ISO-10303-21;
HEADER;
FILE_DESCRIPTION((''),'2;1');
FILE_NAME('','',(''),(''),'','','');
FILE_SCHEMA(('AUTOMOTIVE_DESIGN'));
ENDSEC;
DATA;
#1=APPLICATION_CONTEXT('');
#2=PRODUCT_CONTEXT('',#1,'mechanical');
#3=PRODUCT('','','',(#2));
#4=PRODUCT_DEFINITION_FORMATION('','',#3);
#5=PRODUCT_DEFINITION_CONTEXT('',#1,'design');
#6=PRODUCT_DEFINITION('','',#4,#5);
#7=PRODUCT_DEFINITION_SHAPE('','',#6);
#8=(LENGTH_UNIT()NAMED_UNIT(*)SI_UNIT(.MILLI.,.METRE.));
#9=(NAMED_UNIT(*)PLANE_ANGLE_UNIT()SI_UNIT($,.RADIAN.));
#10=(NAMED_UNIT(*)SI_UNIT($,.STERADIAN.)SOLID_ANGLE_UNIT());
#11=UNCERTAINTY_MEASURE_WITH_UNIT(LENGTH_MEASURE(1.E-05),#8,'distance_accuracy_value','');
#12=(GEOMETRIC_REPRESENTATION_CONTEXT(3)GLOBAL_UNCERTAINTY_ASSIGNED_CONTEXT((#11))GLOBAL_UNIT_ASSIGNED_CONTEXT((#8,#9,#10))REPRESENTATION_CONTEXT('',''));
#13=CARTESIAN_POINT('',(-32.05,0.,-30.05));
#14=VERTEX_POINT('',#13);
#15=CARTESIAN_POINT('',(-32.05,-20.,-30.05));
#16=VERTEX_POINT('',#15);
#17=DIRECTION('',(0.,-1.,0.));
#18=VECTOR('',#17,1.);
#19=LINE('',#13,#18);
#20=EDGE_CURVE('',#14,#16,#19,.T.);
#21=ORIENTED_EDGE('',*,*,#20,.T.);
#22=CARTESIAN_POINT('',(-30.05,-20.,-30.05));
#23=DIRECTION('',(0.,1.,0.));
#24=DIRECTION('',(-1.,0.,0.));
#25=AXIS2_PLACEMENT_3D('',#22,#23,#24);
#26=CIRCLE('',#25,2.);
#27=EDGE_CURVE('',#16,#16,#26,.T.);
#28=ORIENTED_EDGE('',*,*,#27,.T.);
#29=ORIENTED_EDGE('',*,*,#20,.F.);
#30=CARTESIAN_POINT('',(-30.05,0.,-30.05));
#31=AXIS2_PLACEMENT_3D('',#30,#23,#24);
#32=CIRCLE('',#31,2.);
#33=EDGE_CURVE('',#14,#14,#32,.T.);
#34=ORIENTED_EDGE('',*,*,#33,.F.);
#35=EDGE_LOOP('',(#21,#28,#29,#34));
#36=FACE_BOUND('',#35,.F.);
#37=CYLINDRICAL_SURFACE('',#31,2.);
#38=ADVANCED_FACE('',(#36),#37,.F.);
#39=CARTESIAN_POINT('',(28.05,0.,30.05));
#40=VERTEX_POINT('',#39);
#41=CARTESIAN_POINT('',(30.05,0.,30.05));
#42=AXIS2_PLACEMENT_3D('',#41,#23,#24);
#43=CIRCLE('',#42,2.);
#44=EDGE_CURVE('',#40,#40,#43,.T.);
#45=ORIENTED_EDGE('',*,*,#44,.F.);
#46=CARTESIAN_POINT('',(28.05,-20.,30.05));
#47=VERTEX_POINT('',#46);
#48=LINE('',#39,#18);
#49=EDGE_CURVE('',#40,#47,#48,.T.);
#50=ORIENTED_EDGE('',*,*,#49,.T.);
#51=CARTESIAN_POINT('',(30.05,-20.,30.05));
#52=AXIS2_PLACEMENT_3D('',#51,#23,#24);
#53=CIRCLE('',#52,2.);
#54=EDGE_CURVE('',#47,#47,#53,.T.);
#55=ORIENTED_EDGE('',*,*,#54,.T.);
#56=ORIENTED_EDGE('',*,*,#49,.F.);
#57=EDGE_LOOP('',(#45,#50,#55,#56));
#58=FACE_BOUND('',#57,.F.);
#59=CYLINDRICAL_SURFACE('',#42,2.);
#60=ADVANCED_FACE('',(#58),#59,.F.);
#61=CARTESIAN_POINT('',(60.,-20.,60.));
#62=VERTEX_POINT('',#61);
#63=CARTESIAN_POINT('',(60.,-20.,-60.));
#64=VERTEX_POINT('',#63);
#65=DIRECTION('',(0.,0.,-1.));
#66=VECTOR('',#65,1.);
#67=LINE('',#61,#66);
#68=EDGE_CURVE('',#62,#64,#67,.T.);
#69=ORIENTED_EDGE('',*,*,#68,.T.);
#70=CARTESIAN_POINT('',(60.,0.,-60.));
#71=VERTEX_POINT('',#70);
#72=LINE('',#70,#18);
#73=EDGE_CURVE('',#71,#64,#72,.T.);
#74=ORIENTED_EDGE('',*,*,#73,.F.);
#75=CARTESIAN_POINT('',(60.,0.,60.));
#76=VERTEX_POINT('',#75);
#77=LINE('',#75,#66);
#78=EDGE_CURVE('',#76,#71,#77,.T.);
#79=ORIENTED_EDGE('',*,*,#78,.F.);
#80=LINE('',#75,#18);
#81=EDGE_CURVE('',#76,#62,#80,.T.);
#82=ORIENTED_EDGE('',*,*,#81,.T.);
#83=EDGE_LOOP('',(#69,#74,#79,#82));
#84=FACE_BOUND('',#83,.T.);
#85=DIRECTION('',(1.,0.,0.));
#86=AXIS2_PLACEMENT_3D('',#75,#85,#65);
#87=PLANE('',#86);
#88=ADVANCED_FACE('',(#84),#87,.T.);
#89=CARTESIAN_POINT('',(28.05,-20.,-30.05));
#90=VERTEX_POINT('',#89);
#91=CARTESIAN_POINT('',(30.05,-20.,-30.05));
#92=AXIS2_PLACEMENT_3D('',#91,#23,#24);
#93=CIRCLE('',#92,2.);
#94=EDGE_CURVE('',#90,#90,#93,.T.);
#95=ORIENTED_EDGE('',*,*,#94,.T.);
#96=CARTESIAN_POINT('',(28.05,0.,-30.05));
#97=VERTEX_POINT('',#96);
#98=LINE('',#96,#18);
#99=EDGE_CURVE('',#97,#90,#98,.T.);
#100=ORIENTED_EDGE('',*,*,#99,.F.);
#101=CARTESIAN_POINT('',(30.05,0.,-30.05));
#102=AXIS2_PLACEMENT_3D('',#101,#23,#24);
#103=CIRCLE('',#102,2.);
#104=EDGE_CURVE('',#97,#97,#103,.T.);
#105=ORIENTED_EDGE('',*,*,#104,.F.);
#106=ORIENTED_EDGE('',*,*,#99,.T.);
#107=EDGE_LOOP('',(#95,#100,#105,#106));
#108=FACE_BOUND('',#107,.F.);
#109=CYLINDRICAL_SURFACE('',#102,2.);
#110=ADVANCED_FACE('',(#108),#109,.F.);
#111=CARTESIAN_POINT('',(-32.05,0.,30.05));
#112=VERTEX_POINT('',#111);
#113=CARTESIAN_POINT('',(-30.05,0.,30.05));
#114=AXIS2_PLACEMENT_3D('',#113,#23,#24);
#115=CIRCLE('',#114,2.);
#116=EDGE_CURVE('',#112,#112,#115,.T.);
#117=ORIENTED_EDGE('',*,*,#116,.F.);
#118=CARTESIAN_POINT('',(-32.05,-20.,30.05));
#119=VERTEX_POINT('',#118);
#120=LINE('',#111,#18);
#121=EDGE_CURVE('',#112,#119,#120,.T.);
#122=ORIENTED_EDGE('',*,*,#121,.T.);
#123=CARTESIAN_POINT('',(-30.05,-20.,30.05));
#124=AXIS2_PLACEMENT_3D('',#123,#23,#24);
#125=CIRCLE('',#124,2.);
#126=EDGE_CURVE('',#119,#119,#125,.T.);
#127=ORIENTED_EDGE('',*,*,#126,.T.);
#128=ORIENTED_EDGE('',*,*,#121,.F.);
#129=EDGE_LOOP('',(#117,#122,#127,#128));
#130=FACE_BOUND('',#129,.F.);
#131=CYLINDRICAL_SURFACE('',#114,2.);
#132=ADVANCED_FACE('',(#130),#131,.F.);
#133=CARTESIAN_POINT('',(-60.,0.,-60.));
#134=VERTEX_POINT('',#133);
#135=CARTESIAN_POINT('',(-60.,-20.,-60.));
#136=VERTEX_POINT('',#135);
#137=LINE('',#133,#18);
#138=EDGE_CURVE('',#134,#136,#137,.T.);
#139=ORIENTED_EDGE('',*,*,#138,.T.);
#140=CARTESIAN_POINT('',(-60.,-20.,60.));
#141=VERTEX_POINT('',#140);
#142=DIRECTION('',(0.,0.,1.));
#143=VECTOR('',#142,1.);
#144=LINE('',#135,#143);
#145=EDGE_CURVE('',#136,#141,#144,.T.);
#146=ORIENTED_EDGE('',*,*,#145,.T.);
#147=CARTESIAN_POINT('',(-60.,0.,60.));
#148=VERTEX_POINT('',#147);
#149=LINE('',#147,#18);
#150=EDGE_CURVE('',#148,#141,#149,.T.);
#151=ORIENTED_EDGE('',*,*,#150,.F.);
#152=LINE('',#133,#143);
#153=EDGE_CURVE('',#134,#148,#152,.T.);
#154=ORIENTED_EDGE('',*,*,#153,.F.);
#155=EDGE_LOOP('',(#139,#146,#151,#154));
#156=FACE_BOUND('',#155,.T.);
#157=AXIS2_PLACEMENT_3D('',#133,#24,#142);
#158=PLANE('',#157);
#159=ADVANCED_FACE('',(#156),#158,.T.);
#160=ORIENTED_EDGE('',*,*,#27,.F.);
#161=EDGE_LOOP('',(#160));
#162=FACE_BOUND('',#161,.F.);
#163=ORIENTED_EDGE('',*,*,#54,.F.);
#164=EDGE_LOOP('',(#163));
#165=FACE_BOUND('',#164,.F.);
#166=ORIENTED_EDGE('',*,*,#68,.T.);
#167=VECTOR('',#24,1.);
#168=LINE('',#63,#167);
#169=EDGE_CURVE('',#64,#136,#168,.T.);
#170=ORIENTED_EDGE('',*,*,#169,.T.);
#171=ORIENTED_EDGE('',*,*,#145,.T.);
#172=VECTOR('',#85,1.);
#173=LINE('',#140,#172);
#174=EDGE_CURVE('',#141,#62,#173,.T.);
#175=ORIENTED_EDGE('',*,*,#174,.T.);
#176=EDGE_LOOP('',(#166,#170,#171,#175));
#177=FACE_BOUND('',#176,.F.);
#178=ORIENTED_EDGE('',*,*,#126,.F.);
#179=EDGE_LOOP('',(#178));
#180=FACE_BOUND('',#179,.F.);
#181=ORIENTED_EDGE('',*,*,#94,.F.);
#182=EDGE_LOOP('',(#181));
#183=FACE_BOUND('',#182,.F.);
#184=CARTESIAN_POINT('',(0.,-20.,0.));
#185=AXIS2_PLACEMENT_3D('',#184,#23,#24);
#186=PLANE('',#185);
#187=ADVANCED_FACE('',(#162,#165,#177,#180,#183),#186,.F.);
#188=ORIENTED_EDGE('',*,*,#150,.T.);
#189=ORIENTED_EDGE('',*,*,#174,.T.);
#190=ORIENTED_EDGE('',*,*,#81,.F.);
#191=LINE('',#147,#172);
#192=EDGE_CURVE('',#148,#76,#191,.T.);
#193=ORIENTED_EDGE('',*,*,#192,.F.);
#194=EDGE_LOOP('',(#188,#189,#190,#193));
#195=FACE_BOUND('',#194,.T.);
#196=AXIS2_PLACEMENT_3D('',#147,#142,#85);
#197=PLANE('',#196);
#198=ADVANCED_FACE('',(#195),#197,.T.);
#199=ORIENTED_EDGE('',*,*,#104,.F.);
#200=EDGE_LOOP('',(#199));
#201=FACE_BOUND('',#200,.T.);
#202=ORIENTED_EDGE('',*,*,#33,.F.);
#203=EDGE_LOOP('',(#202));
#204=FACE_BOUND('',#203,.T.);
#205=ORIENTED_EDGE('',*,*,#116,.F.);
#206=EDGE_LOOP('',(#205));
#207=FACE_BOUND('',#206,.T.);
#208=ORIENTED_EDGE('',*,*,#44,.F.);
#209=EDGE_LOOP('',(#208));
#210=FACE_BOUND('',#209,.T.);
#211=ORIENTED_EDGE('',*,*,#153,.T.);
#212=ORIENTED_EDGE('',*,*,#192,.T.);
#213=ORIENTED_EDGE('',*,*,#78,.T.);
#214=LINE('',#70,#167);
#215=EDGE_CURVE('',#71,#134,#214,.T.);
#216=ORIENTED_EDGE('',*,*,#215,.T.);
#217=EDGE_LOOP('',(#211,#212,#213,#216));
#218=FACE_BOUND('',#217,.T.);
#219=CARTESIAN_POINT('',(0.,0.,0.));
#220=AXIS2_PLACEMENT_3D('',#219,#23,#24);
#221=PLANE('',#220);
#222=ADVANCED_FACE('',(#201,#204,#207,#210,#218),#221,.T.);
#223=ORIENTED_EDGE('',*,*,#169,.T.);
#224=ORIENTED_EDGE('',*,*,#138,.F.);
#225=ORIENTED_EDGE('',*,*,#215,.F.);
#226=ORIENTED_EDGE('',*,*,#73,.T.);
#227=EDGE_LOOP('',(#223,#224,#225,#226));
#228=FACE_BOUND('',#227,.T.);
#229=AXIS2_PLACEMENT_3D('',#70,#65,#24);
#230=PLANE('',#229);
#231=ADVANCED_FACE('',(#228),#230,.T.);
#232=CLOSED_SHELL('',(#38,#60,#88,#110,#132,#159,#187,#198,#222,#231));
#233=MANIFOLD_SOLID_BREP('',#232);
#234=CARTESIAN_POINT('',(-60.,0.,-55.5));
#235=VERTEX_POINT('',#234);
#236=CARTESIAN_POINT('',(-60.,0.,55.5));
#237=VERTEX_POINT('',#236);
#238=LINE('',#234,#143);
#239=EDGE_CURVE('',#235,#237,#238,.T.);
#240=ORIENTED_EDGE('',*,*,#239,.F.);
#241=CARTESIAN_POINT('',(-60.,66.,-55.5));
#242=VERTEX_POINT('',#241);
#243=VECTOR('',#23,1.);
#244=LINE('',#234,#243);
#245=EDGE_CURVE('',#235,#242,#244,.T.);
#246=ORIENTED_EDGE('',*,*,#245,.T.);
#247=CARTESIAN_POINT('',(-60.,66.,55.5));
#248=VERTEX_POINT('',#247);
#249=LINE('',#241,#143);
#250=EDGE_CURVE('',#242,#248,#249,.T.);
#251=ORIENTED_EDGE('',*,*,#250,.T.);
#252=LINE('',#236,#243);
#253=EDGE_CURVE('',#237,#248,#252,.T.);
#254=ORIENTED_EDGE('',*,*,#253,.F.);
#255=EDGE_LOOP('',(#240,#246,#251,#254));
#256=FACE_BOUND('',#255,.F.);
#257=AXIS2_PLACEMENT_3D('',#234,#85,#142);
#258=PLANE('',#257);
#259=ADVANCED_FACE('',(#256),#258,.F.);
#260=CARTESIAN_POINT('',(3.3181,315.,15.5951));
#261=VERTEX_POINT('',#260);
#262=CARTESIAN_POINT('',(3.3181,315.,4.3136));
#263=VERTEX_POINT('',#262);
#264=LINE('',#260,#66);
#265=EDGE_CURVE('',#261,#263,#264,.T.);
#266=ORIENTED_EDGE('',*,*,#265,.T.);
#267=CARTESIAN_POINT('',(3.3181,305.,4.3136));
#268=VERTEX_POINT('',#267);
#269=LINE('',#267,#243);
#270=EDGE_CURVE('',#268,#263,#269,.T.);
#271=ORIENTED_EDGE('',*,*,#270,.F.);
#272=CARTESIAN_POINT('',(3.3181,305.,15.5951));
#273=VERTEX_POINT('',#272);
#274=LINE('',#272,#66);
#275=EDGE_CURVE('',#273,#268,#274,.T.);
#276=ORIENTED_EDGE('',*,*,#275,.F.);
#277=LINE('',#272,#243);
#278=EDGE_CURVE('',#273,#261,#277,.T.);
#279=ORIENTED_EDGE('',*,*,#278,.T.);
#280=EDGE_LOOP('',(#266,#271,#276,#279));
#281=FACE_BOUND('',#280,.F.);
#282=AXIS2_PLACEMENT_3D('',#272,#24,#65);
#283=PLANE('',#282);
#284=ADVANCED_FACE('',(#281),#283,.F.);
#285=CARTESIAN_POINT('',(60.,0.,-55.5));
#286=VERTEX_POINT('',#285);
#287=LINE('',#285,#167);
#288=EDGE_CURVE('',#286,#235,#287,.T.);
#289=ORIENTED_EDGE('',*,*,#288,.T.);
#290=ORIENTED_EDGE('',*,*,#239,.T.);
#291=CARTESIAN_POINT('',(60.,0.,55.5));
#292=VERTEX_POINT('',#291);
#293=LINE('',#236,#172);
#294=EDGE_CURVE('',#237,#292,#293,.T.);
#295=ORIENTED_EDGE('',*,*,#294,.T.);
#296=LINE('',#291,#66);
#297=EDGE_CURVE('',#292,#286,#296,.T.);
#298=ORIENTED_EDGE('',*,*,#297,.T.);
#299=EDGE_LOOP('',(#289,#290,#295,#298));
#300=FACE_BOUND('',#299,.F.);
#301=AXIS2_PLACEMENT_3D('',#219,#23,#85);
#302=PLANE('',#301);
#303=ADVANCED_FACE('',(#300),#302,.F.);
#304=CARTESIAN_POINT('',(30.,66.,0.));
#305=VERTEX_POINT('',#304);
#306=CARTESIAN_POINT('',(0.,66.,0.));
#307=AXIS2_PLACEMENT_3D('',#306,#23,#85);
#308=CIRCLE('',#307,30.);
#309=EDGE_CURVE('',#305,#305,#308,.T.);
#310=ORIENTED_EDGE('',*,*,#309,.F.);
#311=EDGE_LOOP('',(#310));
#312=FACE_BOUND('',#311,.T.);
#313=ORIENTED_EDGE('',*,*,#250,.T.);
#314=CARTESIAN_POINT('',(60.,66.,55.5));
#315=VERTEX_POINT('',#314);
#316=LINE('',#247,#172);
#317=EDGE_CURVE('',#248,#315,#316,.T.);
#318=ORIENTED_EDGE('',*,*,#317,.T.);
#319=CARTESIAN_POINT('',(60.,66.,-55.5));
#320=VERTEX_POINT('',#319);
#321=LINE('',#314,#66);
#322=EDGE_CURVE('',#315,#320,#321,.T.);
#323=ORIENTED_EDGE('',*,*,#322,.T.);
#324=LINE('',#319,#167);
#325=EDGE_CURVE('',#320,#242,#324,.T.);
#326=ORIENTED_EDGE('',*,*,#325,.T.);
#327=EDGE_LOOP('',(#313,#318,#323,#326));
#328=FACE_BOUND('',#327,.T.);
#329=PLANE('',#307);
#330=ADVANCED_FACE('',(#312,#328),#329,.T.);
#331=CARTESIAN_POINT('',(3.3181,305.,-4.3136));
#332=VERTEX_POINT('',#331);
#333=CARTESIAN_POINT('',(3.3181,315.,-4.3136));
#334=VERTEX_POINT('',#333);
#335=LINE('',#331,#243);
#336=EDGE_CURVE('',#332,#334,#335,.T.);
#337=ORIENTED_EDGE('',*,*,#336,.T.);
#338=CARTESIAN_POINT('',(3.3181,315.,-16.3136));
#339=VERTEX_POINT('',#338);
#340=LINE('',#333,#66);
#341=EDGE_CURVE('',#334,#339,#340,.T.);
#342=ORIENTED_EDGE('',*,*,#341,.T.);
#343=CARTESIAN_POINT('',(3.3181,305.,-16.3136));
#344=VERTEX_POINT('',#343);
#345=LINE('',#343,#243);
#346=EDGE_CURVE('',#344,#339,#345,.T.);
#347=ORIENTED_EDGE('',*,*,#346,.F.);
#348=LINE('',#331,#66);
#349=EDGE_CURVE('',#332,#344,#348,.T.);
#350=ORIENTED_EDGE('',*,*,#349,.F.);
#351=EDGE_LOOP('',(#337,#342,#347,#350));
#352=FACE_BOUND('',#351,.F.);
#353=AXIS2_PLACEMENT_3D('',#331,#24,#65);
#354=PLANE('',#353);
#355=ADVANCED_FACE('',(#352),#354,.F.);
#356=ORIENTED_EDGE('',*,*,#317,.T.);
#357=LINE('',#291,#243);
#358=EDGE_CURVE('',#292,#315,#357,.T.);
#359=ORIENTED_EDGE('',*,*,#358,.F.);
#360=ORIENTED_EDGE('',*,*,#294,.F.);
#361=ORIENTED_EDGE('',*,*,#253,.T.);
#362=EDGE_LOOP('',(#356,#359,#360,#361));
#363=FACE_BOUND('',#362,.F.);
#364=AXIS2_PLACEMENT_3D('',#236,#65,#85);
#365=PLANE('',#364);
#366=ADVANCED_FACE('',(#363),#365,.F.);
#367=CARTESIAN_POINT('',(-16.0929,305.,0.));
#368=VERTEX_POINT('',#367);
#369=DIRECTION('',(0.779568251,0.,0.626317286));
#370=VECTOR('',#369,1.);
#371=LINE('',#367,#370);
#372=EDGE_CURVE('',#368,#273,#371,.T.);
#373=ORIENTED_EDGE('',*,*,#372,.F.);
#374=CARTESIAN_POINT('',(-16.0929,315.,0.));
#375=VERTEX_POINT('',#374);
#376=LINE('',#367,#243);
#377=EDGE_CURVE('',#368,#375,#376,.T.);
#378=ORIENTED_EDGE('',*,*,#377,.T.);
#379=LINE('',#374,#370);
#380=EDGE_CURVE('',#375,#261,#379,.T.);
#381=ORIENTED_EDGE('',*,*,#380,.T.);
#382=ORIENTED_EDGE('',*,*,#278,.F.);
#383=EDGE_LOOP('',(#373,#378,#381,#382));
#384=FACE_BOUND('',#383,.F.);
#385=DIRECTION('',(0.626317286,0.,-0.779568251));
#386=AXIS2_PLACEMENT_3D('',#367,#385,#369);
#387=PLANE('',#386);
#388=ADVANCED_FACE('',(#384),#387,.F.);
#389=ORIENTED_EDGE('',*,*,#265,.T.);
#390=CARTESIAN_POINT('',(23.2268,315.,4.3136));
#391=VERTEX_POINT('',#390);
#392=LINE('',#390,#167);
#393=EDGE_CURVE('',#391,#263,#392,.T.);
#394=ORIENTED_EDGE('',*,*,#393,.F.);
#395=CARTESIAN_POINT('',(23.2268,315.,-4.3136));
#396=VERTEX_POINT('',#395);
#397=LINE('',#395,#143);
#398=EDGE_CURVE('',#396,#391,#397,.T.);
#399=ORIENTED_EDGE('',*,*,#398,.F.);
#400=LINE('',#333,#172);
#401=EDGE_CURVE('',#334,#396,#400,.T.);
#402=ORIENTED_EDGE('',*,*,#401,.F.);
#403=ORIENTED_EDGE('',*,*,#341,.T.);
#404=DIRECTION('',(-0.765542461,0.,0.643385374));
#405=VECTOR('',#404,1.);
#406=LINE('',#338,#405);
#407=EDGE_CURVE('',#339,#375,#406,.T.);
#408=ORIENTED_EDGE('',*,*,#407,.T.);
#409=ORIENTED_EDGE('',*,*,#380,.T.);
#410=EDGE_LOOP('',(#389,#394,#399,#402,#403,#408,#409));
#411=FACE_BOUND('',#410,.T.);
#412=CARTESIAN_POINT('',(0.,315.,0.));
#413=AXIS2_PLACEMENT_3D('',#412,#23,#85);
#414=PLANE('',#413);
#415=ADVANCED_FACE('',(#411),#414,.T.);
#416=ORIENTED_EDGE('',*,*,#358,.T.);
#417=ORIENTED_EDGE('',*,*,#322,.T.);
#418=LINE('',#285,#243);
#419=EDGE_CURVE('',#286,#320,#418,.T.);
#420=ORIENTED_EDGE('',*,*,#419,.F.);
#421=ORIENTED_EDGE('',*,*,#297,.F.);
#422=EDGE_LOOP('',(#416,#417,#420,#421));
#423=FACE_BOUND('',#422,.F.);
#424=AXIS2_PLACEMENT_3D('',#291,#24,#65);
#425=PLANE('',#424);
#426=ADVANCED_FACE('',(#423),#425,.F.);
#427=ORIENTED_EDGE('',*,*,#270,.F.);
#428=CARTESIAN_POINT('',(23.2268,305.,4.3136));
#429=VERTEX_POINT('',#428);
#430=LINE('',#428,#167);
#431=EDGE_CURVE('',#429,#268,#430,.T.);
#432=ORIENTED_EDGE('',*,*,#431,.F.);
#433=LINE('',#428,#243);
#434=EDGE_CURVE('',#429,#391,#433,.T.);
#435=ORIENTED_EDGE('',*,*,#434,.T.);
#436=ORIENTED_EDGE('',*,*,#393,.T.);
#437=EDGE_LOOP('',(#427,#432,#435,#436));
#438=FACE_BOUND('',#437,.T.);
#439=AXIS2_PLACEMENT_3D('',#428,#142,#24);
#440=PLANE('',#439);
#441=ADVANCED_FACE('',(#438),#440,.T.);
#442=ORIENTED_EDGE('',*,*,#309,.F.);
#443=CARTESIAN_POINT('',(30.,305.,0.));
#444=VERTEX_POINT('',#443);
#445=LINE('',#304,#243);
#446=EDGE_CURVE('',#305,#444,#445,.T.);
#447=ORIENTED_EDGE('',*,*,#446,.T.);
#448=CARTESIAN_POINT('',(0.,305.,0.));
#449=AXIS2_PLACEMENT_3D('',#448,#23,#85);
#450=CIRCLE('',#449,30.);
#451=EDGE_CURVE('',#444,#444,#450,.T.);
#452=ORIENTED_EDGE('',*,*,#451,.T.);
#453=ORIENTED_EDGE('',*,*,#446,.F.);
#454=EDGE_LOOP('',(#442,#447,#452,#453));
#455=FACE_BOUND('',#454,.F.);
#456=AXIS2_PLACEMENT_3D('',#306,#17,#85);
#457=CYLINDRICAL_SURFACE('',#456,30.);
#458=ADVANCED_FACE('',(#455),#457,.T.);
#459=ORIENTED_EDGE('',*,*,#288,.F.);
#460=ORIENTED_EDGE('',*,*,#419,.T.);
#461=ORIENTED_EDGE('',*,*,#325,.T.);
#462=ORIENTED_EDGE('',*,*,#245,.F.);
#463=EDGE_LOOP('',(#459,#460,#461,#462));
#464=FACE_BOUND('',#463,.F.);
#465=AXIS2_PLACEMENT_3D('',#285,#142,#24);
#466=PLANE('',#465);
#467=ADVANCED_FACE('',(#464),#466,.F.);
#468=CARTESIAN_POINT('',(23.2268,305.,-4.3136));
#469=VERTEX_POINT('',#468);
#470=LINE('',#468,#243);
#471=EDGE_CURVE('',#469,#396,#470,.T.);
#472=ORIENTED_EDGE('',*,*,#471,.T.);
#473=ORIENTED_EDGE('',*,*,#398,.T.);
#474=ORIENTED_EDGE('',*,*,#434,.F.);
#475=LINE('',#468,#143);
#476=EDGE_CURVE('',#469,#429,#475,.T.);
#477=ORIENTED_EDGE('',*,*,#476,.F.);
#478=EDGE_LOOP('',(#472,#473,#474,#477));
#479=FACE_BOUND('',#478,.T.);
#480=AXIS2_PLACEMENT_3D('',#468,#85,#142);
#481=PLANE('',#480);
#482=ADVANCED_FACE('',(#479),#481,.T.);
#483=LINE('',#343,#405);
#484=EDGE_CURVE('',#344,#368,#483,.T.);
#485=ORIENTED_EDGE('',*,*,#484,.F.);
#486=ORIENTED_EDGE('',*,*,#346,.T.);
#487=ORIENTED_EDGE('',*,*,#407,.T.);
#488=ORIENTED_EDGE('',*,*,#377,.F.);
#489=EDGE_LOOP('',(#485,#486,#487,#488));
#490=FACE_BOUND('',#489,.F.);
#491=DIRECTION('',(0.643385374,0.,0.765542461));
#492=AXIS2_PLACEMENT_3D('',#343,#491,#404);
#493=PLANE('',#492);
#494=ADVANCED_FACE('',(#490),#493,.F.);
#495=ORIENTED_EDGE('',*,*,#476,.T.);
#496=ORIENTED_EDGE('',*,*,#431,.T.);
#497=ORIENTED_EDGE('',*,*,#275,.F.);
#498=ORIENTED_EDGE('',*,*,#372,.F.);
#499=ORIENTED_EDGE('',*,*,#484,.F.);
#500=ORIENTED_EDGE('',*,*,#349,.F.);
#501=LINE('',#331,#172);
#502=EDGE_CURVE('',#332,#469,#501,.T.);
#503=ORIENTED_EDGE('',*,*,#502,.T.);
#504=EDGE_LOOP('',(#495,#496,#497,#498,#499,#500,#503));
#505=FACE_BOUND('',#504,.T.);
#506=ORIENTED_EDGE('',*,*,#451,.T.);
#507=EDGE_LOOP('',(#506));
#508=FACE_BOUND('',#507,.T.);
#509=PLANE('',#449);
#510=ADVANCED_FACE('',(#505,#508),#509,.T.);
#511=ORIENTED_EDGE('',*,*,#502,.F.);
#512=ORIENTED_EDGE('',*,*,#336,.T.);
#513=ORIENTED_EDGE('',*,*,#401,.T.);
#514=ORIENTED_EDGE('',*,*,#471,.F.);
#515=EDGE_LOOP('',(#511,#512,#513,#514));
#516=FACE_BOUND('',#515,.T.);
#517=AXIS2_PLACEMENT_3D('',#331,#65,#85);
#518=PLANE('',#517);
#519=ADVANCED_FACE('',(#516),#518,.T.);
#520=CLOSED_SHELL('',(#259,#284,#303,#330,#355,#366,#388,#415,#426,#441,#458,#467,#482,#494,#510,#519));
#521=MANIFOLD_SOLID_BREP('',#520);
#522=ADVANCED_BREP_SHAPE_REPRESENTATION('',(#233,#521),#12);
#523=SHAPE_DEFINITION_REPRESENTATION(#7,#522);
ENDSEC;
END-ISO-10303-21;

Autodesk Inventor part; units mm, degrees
ref_plane "YZ Plane" through (0, 0, 0) normal (1, 0, 0) x (0, 1, 0)
ref_plane "XZ Plane" through (0, 0, 0) normal (0, 1, 0) x (-1, 0, 0)
ref_plane "XY Plane" through (0, 0, 0) normal (0, 0, 1) x (1, 0, 0)
sketch "Sketch1" plane through (0, 0, 0) normal (0, 1, 0) x (-1, 0, 0)
  line L0 (60, 55.5) -> (-60, 55.5) construction
  line L1 (-60, 55.5) -> (-60, -55.5) construction
  line L2 (-60, -55.5) -> (60, -55.5) construction
  line L3 (60, -55.5) -> (60, 55.5) construction
  line L4 (60, 55.5) -> (-60, -55.5) construction
  line L5 (-60, 55.5) -> (60, -55.5) construction
  line L6 (30.05, 30.05) -> (-30.05, 30.05) construction
  line L7 (-30.05, 30.05) -> (-30.05, -30.05) construction
  line L8 (-30.05, -30.05) -> (30.05, -30.05) construction
  line L9 (30.05, -30.05) -> (30.05, 30.05) construction
  line L10 (30.05, 30.05) -> (-30.05, -30.05) construction
  line L11 (-30.05, 30.05) -> (30.05, -30.05) construction
  circle A0 centre (30.05, 30.05) radius 2
  circle A1 centre (30.05, -30.05) radius 2
  circle A2 centre (-30.05, 30.05) radius 2
  circle A3 centre (-30.05, -30.05) radius 2
  line L12 (60, 60) -> (-60, 60)
  line L13 (-60, 60) -> (-60, -60)
  line L14 (-60, -60) -> (60, -60)
  line L15 (60, -60) -> (60, 60)
  line L16 (60, 60) -> (-60, -60) construction
  line L17 (-60, 60) -> (60, -60) construction
  point P0 (0, 0)
  point P1 (0, 0)
  point P2 (0, 0)
  dimension "d0" = 120
  dimension "d1" = 111
  dimension "d2" = 60.1
  dimension "d3" = 60.1
  dimension "d4" = 4
  dimension "d5" = 4
  dimension "d6" = 4
  dimension "d7" = 4
  dimension "d8" = 120
  dimension "d9" = 120
extrude "Extrusion1" add sketch "Sketch1" against normal blind 20
sketch "Sketch2" plane through (0, 0, 0) normal (0, 1, 0) x (1, 0, 0)
  line L0 (-60, -55.5) -> (60, -55.5)
  line L1 (60, -55.5) -> (60, 55.5)
  line L2 (60, 55.5) -> (-60, 55.5)
  line L3 (-60, 55.5) -> (-60, -55.5)
  line L4 (-60, -55.5) -> (60, 55.5) construction
  line L5 (60, -55.5) -> (-60, 55.5) construction
  point P0 (0, 0)
  dimension "d12" = 120
  dimension "d13" = 111
extrude "Extrusion2" add sketch "Sketch2" along normal blind 66 separate body
sketch "Sketch3" plane through (0, 66, 0) normal (0, 1, 0) x (1, 0, 0)
  circle A0 centre (0, 0) radius 30
  dimension "d16" = 60
extrude "Extrusion3" add sketch "Sketch3" along normal blind 239 bodies 2
sketch "Sketch4" plane through (0, 305, 0) normal (0, 1, 0) x (1, 0, 0)
  line L0 (3.3181, 4.3136) -> (23.2268, 4.3136)
  line L1 (23.2268, 4.3136) -> (23.2268, -4.3136)
  line L2 (23.2268, -4.3136) -> (3.3181, -4.3136)
  line L3 (3.3181, -4.3136) -> (3.3181, 4.3136)
  line L4 (3.3181, 4.3136) -> (23.2268, -4.3136) construction
  line L5 (23.2268, 4.3136) -> (3.3181, -4.3136) construction
  line L6 (3.3181, 4.3136) -> (3.3181, 16.3136)
  line L7 (3.3181, 16.3136) -> (-16.0929, 0)
  line L8 (-16.0929, 0) -> (3.3181, -15.5951)
  line L9 (3.3181, -15.5951) -> (3.3181, -3.5951)
  point P0 (0, 0)
  point P1 (13.2725, 0)
  dimension "d19" = 12
  dimension "d20" = 12
extrude "Extrusion4" add sketch "Sketch4" along normal blind 10 bodies 2
properties part number "f18base"
